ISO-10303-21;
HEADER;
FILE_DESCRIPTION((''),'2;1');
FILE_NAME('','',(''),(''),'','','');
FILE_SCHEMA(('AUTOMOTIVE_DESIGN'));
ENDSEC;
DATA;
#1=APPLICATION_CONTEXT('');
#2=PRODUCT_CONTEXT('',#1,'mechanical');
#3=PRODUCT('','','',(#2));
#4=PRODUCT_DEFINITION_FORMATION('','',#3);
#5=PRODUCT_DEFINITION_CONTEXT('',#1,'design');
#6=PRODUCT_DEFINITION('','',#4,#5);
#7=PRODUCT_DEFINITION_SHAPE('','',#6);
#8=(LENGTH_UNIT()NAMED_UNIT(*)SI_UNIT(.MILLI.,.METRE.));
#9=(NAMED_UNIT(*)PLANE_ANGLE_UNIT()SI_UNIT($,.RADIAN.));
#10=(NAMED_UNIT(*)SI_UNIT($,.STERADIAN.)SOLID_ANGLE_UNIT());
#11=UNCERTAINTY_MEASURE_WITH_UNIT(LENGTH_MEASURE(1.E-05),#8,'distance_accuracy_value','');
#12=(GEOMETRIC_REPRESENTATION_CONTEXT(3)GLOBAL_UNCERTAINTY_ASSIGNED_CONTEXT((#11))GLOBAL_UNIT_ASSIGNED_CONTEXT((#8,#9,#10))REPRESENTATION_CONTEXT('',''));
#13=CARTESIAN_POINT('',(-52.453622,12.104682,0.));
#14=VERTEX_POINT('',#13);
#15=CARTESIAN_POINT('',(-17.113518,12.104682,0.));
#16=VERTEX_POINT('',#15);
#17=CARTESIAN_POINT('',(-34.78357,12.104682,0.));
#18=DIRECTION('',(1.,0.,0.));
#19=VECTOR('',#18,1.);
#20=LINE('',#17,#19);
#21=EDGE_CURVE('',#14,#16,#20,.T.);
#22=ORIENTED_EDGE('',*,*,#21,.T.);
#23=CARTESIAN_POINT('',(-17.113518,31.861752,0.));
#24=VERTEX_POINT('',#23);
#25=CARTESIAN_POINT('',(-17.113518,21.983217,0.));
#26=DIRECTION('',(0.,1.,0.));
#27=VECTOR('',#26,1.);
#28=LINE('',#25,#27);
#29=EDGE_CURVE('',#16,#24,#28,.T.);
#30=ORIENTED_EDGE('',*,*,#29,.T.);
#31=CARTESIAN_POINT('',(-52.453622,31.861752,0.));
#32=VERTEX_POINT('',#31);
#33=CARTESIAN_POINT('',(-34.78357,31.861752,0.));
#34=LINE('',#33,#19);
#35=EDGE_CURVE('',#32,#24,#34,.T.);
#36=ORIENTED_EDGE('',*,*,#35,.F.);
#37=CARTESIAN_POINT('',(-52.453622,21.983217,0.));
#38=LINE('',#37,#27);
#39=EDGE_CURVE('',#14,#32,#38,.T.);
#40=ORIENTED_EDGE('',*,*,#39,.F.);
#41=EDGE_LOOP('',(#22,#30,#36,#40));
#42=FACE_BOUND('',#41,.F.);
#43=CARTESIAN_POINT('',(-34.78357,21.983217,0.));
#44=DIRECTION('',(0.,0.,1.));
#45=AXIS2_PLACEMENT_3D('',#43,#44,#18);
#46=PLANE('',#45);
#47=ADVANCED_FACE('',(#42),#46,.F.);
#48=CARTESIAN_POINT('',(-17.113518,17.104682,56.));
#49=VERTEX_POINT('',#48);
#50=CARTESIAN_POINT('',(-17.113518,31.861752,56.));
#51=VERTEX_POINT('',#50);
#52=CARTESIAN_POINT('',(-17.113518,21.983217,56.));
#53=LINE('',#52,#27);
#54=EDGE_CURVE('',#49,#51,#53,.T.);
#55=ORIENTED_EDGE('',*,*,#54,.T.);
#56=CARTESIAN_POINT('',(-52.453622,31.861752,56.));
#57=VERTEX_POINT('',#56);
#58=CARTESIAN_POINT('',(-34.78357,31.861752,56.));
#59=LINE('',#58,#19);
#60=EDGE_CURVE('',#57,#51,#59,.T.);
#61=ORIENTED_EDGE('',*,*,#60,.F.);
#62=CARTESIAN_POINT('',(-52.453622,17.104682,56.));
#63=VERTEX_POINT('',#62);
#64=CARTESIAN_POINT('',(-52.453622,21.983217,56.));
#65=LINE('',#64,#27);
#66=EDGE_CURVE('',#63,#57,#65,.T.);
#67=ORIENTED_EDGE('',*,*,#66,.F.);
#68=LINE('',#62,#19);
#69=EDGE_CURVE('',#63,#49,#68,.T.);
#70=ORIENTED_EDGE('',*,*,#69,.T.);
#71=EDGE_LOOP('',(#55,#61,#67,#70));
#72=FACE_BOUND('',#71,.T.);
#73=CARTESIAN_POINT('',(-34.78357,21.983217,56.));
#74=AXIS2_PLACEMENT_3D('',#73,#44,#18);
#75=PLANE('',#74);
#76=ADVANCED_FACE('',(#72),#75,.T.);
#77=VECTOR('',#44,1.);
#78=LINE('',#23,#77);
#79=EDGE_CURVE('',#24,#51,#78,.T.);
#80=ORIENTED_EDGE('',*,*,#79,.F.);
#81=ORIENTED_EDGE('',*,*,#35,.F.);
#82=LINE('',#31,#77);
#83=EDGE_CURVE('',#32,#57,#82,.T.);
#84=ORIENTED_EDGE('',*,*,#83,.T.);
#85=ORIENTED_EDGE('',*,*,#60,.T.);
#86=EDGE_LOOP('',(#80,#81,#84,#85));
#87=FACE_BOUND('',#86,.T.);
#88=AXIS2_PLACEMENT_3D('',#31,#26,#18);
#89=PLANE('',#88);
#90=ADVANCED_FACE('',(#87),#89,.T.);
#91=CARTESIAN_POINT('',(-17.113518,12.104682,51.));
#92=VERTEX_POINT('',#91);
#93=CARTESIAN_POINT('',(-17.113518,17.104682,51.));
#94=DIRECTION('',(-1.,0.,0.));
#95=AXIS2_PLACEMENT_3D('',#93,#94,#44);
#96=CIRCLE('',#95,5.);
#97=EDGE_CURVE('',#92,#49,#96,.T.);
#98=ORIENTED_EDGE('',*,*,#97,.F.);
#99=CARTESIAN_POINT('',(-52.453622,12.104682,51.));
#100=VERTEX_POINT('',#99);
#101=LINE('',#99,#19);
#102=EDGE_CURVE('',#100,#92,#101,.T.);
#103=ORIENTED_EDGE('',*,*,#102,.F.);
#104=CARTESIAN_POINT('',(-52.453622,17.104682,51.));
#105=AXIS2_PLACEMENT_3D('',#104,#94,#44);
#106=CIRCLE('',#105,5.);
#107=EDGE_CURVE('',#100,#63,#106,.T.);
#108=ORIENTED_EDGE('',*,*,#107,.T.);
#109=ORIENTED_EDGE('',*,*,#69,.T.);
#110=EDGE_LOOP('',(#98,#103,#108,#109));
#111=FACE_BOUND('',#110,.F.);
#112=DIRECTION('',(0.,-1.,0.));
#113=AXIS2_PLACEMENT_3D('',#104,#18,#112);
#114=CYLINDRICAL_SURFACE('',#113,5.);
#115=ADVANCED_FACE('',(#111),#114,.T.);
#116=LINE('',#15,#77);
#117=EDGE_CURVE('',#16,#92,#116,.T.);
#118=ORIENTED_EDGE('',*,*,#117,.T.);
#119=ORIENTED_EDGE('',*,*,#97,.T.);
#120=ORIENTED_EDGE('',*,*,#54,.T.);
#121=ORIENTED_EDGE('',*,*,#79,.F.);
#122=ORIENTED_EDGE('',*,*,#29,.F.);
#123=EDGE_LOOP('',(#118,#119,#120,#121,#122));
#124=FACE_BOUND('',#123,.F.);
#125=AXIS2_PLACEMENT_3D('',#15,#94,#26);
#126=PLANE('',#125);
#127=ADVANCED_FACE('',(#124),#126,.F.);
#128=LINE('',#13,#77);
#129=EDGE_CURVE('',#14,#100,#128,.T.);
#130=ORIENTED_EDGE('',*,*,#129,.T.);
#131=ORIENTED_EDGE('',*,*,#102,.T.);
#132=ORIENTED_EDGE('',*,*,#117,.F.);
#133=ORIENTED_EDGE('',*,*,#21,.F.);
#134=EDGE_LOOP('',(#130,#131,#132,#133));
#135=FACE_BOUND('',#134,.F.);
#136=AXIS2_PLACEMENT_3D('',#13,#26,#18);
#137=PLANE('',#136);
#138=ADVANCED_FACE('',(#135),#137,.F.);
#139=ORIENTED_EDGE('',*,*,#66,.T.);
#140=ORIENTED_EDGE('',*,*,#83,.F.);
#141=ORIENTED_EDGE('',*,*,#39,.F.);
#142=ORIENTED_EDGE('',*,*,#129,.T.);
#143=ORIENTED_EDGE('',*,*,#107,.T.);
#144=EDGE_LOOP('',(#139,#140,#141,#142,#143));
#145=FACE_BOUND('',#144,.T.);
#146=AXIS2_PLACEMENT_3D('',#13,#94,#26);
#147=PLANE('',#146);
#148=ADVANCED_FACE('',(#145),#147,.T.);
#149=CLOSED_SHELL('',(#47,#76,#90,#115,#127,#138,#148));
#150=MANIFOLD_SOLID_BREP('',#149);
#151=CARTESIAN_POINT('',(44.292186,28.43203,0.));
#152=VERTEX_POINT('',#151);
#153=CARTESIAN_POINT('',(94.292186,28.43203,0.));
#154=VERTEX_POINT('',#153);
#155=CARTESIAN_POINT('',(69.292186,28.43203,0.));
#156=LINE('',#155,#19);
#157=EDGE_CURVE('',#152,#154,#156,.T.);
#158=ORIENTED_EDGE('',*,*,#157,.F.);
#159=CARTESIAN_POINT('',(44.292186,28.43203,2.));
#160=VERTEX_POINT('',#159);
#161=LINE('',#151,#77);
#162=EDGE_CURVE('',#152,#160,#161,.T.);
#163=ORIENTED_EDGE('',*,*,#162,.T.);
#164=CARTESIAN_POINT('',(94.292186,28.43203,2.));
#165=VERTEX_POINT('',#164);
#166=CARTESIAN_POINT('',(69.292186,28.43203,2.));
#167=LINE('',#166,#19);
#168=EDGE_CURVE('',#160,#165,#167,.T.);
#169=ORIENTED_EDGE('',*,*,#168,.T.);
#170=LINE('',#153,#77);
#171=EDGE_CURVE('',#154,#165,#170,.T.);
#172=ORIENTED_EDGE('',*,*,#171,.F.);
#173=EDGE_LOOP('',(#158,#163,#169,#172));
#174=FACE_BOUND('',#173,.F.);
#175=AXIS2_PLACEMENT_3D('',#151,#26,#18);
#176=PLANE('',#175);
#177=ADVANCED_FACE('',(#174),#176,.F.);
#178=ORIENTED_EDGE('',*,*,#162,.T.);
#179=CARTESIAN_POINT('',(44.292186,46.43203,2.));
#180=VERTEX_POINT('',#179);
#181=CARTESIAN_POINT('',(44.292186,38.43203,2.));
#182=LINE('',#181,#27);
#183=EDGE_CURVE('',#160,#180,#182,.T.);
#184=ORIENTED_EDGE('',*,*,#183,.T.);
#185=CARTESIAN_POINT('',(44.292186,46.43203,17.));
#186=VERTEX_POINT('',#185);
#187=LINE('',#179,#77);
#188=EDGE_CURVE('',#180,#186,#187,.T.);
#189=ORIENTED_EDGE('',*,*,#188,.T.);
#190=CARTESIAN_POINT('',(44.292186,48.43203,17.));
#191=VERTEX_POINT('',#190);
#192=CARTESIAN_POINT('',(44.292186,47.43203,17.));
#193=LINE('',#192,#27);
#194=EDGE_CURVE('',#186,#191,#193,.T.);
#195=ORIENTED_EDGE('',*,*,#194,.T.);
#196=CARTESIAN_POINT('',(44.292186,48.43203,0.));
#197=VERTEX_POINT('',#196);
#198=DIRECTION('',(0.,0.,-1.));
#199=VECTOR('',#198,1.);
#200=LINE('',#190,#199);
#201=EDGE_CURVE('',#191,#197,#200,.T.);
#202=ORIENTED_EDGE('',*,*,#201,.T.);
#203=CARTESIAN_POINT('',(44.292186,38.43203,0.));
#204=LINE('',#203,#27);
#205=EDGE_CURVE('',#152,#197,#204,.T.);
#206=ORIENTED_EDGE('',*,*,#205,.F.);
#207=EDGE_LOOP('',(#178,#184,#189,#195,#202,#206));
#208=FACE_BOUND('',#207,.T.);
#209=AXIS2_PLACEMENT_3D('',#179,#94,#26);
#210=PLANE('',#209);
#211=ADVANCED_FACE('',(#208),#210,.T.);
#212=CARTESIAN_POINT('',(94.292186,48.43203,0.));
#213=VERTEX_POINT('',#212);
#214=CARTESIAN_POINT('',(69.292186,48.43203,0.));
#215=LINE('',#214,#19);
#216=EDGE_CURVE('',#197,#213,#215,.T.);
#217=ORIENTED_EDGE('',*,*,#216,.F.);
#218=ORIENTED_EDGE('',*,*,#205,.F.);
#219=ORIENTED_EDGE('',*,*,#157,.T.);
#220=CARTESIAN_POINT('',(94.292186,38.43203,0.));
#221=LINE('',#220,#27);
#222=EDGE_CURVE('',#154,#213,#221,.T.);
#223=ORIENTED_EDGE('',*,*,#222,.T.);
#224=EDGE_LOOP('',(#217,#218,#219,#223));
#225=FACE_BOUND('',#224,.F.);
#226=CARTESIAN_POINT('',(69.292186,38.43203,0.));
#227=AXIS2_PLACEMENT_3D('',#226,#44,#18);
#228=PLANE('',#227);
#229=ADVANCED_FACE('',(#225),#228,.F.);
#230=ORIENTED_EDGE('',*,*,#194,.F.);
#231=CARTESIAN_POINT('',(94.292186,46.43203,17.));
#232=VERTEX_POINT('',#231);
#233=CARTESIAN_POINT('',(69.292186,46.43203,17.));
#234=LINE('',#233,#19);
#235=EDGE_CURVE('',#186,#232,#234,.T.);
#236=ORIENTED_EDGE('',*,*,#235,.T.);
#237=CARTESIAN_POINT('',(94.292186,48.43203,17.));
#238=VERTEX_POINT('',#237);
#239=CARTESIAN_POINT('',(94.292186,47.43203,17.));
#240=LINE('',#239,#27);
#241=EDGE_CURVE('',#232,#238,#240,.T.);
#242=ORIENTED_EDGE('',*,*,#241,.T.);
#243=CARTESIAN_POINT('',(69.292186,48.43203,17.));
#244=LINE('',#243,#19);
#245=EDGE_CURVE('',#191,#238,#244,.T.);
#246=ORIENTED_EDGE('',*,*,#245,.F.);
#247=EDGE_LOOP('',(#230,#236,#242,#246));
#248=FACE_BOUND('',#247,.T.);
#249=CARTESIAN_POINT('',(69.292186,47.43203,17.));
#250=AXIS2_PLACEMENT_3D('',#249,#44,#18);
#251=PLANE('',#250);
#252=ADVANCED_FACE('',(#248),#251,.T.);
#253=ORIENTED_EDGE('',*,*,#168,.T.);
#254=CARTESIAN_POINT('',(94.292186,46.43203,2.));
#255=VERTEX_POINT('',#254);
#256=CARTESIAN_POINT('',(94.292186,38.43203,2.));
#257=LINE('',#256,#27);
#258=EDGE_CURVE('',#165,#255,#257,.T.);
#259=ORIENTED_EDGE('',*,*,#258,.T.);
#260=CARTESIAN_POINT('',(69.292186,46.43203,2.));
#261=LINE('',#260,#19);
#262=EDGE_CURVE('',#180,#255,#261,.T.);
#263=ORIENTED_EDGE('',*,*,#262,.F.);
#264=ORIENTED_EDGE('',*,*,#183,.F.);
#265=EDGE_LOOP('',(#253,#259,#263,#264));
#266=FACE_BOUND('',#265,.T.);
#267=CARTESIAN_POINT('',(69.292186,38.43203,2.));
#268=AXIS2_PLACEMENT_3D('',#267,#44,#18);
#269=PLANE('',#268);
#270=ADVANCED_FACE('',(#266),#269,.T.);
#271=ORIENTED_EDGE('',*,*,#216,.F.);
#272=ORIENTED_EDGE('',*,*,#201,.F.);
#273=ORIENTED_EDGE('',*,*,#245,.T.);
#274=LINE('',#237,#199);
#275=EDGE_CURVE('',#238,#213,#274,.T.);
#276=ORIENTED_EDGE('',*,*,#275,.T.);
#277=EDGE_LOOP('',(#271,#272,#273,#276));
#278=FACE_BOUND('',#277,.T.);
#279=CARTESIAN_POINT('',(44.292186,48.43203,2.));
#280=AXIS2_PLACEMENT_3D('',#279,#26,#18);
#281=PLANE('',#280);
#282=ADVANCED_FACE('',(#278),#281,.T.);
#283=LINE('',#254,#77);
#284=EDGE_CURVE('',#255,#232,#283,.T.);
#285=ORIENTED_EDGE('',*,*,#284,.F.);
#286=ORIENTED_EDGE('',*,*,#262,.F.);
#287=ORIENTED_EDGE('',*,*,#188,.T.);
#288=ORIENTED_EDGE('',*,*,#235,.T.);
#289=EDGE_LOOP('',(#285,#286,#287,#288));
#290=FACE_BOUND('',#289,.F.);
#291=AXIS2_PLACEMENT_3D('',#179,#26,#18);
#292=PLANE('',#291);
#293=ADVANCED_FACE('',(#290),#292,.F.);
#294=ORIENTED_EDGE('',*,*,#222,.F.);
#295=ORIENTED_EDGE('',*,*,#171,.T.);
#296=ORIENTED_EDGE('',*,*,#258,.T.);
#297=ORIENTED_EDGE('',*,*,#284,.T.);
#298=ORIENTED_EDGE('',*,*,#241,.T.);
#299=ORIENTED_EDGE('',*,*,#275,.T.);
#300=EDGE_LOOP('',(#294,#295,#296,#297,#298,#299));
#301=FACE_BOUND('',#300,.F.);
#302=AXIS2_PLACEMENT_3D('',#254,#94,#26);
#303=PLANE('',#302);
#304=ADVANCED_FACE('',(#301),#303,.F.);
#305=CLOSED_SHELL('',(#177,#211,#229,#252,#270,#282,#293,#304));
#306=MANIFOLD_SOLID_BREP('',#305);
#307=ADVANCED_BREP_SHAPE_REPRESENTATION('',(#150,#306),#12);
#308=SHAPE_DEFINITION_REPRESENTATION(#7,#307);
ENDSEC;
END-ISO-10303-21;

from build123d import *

# Parameters (mm, degrees)
F0_W     = 35.340104
F0_H     = 19.757069
F1_DEPTH = 56
F2_R     = 5
F3_W     = 50
F3_H     = 20
F4_DEPTH = 2
F5_W     = 50
F5_H     = 2
F6_DEPTH = 15


with BuildPart() as f1:
    # F0 (on Top) → F1 (new body)
    with BuildSketch(Plane.XY):
        with Locations((-34.78357, 21.983217)):
            Rectangle(F0_W, F0_H)
    extrude(amount=F1_DEPTH)

    # F2
    f2_edges = [f1.edges().sort_by_distance(p)[0] for p in [
        (-34.78357, 12.104683, 56),
    ]]
    fillet(f2_edges, radius=F2_R)


with BuildPart() as f4:
    # F3 (on Top) → F4 (new body)
    with BuildSketch(Plane.XY):
        with Locations((69.292186, 38.43203)):
            Rectangle(F3_W, F3_H)
    extrude(amount=F4_DEPTH)

    # F5 (on face) → F6 (join)
    with BuildSketch(Plane.XY.offset(2)):
        with Locations((69.292186, 47.43203)):
            Rectangle(F5_W, F5_H)
    extrude(amount=F6_DEPTH)


solid = Compound([f1.part, f4.part])
